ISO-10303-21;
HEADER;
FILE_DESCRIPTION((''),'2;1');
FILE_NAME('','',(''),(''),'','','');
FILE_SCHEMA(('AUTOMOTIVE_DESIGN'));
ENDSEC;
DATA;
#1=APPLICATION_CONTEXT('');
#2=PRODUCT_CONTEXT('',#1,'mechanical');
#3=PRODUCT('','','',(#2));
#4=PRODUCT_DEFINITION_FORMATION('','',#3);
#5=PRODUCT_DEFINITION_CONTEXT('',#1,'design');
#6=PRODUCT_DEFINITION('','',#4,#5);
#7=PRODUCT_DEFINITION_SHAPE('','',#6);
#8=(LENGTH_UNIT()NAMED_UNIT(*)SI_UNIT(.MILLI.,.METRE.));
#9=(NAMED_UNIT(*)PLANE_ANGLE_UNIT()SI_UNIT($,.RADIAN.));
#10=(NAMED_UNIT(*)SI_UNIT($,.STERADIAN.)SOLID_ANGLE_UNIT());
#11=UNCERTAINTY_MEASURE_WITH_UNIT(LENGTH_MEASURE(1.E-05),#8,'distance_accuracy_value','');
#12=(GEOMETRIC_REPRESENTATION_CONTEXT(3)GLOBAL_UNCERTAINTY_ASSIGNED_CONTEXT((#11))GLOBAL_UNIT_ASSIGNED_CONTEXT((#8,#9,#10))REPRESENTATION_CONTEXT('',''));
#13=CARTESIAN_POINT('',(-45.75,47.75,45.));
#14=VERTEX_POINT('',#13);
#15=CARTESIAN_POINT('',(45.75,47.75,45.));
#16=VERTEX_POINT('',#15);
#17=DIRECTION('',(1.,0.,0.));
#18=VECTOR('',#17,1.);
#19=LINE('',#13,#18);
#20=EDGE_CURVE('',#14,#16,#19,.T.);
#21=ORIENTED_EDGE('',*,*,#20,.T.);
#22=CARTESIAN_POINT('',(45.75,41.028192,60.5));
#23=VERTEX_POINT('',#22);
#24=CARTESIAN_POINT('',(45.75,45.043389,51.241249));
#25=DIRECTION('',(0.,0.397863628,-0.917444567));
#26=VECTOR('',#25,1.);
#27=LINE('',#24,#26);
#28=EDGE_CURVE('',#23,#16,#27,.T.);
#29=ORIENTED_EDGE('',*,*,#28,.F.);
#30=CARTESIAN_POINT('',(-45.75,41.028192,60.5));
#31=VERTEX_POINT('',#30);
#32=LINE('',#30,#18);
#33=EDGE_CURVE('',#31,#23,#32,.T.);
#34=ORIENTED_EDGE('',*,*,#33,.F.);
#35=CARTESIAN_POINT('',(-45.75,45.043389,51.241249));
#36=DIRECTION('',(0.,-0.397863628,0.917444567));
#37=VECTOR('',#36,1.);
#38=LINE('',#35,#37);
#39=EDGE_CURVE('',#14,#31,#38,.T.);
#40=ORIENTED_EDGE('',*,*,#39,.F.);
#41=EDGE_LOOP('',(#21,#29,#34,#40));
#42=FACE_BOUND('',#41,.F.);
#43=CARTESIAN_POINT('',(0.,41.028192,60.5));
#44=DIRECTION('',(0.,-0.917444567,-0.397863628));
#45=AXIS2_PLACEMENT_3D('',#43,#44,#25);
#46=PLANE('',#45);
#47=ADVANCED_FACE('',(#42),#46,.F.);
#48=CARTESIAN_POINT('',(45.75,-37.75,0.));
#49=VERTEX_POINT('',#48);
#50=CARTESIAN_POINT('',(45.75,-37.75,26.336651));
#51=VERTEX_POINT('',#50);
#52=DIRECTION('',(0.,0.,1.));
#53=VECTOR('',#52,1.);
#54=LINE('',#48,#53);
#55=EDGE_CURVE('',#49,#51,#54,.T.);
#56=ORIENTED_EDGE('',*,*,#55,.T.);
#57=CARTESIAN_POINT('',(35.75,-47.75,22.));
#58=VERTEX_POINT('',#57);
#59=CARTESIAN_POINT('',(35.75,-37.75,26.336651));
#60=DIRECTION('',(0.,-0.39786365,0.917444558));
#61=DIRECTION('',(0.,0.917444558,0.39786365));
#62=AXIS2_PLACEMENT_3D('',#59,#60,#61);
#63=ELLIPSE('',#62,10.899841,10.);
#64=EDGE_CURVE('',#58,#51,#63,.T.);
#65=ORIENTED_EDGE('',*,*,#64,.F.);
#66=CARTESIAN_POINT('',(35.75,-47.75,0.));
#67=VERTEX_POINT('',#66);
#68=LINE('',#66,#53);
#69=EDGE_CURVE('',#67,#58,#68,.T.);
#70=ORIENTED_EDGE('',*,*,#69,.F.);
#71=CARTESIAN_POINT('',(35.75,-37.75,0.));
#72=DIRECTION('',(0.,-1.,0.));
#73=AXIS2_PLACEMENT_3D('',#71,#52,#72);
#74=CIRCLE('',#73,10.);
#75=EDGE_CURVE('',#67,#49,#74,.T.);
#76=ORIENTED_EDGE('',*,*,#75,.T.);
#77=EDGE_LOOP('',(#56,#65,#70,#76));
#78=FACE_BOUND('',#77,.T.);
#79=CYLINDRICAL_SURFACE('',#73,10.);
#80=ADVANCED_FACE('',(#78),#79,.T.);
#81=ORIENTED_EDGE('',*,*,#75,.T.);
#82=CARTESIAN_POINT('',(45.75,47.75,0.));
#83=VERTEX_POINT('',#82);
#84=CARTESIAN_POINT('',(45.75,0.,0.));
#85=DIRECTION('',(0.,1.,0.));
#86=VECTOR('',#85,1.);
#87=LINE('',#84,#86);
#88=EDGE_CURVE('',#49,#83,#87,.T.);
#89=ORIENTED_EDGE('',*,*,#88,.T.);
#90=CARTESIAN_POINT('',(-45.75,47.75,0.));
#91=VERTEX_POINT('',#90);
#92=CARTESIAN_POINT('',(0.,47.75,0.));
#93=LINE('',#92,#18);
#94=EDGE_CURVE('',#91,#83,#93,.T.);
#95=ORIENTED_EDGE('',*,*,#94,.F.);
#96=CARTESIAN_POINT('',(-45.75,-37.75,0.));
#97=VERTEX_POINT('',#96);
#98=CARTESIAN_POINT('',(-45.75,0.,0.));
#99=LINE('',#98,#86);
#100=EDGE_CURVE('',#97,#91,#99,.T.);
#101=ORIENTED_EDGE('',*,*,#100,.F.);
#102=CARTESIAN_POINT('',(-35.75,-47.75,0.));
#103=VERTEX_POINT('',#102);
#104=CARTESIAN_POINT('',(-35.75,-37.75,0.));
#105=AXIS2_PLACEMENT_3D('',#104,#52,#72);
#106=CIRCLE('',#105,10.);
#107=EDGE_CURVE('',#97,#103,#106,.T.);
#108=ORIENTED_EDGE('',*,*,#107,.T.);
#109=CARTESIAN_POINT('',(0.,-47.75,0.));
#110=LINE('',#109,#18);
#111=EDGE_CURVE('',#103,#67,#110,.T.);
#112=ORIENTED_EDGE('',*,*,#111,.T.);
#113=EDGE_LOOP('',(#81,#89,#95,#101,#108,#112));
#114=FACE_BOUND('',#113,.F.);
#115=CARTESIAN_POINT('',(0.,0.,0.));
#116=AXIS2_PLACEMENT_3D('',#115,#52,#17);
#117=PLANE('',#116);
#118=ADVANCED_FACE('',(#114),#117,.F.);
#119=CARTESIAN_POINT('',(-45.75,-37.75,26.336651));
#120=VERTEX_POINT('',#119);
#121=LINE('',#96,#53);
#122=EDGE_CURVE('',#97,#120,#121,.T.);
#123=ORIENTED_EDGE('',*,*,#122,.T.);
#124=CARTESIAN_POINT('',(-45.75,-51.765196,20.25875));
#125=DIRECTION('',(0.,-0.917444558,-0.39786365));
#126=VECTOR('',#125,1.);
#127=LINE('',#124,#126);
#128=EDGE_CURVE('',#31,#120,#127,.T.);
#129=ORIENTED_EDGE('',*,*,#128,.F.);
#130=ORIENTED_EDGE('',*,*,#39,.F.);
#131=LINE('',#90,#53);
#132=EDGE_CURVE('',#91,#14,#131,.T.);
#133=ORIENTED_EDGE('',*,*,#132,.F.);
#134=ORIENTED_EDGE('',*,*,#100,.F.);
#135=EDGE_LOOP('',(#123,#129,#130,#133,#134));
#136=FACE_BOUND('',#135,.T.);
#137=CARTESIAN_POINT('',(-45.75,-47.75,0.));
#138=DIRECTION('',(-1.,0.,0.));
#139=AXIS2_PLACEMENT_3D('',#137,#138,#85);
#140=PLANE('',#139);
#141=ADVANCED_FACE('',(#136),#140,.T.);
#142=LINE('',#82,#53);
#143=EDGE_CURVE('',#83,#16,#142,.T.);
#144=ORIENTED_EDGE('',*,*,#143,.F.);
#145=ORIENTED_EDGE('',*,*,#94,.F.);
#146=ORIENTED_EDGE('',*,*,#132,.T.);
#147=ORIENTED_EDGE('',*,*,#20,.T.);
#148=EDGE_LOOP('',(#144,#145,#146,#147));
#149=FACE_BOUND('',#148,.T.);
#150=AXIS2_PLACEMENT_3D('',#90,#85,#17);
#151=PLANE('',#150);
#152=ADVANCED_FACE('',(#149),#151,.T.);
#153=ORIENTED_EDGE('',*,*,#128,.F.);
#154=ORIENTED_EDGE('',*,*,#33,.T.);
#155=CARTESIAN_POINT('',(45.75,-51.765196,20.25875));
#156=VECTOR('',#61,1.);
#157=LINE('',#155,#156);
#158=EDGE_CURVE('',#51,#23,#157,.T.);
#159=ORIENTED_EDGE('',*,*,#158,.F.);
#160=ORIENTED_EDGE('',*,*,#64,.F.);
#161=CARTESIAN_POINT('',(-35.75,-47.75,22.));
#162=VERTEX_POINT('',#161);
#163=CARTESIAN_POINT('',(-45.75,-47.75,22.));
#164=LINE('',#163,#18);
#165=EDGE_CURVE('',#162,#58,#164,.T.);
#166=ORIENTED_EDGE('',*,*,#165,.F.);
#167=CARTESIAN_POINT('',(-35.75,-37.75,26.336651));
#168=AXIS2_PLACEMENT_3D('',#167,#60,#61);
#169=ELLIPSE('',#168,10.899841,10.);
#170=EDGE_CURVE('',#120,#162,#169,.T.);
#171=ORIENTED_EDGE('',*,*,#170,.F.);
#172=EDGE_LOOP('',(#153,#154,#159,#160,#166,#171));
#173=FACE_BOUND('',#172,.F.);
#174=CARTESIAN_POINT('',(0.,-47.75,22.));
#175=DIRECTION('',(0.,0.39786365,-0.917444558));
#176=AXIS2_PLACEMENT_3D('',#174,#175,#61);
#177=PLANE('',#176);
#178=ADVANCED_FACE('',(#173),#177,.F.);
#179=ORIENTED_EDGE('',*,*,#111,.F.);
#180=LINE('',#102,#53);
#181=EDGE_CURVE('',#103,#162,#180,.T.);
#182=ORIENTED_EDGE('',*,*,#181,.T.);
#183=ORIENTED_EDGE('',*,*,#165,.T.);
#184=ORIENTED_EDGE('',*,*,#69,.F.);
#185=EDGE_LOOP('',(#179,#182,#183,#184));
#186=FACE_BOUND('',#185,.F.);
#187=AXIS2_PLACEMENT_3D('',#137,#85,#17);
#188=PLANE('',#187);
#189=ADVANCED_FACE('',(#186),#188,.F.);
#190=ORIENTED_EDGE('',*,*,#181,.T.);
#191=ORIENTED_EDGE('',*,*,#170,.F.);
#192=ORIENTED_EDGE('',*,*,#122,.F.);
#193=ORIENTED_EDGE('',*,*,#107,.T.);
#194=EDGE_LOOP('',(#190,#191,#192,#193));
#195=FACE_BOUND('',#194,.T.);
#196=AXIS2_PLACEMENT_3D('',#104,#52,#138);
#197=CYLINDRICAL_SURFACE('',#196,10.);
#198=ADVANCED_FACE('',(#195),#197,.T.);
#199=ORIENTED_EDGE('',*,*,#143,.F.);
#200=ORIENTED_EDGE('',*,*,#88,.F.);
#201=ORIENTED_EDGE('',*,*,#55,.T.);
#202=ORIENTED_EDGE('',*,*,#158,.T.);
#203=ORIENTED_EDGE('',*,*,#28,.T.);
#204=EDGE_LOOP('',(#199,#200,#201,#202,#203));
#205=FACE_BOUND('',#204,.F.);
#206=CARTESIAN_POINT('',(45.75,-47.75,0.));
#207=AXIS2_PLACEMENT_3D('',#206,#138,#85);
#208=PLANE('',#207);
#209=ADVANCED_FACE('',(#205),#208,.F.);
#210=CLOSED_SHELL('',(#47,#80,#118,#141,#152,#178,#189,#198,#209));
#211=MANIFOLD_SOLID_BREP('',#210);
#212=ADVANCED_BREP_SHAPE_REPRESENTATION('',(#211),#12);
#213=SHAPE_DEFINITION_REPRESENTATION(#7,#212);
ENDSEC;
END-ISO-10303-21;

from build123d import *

# Parameters (mm, degrees)
SKETCH_W          = 91.5
SKETCH_H          = 95.5
PAD_DEPTH         = 60.5
POCKET_DEPTH      = 45.751
POCKET_DEPTH_BACK = 45.751
FILLET_R          = 10


with BuildPart() as part:
    # Sketch (on XY_Plane of Origin) → Pad (new body)
    with BuildSketch(Plane.XY):
        Rectangle(SKETCH_W, SKETCH_H)
    extrude(amount=PAD_DEPTH)

    # Sketch001 (on YZ_Plane of Origin) → Pocket (cut, two sides)
    with BuildSketch(Plane.YZ) as pocket_sk:
        Polygon((-47.75, 22), (41.028192, 60.5), (47.75, 45), (57.75, 45), (57.75, 70.5), (-57.75, 70.5), (-57.75, 22), align=None)
    extrude(amount=-POCKET_DEPTH, mode=Mode.SUBTRACT)
    extrude(pocket_sk.sketch, amount=POCKET_DEPTH_BACK, mode=Mode.SUBTRACT)

    # Fillet
    fillet_edges = [part.edges().sort_by_distance(p)[0] for p in [
        (45.75, -47.75, 11),
        (-45.75, -47.75, 11),
    ]]
    fillet(fillet_edges, radius=FILLET_R)


solid = part.part
